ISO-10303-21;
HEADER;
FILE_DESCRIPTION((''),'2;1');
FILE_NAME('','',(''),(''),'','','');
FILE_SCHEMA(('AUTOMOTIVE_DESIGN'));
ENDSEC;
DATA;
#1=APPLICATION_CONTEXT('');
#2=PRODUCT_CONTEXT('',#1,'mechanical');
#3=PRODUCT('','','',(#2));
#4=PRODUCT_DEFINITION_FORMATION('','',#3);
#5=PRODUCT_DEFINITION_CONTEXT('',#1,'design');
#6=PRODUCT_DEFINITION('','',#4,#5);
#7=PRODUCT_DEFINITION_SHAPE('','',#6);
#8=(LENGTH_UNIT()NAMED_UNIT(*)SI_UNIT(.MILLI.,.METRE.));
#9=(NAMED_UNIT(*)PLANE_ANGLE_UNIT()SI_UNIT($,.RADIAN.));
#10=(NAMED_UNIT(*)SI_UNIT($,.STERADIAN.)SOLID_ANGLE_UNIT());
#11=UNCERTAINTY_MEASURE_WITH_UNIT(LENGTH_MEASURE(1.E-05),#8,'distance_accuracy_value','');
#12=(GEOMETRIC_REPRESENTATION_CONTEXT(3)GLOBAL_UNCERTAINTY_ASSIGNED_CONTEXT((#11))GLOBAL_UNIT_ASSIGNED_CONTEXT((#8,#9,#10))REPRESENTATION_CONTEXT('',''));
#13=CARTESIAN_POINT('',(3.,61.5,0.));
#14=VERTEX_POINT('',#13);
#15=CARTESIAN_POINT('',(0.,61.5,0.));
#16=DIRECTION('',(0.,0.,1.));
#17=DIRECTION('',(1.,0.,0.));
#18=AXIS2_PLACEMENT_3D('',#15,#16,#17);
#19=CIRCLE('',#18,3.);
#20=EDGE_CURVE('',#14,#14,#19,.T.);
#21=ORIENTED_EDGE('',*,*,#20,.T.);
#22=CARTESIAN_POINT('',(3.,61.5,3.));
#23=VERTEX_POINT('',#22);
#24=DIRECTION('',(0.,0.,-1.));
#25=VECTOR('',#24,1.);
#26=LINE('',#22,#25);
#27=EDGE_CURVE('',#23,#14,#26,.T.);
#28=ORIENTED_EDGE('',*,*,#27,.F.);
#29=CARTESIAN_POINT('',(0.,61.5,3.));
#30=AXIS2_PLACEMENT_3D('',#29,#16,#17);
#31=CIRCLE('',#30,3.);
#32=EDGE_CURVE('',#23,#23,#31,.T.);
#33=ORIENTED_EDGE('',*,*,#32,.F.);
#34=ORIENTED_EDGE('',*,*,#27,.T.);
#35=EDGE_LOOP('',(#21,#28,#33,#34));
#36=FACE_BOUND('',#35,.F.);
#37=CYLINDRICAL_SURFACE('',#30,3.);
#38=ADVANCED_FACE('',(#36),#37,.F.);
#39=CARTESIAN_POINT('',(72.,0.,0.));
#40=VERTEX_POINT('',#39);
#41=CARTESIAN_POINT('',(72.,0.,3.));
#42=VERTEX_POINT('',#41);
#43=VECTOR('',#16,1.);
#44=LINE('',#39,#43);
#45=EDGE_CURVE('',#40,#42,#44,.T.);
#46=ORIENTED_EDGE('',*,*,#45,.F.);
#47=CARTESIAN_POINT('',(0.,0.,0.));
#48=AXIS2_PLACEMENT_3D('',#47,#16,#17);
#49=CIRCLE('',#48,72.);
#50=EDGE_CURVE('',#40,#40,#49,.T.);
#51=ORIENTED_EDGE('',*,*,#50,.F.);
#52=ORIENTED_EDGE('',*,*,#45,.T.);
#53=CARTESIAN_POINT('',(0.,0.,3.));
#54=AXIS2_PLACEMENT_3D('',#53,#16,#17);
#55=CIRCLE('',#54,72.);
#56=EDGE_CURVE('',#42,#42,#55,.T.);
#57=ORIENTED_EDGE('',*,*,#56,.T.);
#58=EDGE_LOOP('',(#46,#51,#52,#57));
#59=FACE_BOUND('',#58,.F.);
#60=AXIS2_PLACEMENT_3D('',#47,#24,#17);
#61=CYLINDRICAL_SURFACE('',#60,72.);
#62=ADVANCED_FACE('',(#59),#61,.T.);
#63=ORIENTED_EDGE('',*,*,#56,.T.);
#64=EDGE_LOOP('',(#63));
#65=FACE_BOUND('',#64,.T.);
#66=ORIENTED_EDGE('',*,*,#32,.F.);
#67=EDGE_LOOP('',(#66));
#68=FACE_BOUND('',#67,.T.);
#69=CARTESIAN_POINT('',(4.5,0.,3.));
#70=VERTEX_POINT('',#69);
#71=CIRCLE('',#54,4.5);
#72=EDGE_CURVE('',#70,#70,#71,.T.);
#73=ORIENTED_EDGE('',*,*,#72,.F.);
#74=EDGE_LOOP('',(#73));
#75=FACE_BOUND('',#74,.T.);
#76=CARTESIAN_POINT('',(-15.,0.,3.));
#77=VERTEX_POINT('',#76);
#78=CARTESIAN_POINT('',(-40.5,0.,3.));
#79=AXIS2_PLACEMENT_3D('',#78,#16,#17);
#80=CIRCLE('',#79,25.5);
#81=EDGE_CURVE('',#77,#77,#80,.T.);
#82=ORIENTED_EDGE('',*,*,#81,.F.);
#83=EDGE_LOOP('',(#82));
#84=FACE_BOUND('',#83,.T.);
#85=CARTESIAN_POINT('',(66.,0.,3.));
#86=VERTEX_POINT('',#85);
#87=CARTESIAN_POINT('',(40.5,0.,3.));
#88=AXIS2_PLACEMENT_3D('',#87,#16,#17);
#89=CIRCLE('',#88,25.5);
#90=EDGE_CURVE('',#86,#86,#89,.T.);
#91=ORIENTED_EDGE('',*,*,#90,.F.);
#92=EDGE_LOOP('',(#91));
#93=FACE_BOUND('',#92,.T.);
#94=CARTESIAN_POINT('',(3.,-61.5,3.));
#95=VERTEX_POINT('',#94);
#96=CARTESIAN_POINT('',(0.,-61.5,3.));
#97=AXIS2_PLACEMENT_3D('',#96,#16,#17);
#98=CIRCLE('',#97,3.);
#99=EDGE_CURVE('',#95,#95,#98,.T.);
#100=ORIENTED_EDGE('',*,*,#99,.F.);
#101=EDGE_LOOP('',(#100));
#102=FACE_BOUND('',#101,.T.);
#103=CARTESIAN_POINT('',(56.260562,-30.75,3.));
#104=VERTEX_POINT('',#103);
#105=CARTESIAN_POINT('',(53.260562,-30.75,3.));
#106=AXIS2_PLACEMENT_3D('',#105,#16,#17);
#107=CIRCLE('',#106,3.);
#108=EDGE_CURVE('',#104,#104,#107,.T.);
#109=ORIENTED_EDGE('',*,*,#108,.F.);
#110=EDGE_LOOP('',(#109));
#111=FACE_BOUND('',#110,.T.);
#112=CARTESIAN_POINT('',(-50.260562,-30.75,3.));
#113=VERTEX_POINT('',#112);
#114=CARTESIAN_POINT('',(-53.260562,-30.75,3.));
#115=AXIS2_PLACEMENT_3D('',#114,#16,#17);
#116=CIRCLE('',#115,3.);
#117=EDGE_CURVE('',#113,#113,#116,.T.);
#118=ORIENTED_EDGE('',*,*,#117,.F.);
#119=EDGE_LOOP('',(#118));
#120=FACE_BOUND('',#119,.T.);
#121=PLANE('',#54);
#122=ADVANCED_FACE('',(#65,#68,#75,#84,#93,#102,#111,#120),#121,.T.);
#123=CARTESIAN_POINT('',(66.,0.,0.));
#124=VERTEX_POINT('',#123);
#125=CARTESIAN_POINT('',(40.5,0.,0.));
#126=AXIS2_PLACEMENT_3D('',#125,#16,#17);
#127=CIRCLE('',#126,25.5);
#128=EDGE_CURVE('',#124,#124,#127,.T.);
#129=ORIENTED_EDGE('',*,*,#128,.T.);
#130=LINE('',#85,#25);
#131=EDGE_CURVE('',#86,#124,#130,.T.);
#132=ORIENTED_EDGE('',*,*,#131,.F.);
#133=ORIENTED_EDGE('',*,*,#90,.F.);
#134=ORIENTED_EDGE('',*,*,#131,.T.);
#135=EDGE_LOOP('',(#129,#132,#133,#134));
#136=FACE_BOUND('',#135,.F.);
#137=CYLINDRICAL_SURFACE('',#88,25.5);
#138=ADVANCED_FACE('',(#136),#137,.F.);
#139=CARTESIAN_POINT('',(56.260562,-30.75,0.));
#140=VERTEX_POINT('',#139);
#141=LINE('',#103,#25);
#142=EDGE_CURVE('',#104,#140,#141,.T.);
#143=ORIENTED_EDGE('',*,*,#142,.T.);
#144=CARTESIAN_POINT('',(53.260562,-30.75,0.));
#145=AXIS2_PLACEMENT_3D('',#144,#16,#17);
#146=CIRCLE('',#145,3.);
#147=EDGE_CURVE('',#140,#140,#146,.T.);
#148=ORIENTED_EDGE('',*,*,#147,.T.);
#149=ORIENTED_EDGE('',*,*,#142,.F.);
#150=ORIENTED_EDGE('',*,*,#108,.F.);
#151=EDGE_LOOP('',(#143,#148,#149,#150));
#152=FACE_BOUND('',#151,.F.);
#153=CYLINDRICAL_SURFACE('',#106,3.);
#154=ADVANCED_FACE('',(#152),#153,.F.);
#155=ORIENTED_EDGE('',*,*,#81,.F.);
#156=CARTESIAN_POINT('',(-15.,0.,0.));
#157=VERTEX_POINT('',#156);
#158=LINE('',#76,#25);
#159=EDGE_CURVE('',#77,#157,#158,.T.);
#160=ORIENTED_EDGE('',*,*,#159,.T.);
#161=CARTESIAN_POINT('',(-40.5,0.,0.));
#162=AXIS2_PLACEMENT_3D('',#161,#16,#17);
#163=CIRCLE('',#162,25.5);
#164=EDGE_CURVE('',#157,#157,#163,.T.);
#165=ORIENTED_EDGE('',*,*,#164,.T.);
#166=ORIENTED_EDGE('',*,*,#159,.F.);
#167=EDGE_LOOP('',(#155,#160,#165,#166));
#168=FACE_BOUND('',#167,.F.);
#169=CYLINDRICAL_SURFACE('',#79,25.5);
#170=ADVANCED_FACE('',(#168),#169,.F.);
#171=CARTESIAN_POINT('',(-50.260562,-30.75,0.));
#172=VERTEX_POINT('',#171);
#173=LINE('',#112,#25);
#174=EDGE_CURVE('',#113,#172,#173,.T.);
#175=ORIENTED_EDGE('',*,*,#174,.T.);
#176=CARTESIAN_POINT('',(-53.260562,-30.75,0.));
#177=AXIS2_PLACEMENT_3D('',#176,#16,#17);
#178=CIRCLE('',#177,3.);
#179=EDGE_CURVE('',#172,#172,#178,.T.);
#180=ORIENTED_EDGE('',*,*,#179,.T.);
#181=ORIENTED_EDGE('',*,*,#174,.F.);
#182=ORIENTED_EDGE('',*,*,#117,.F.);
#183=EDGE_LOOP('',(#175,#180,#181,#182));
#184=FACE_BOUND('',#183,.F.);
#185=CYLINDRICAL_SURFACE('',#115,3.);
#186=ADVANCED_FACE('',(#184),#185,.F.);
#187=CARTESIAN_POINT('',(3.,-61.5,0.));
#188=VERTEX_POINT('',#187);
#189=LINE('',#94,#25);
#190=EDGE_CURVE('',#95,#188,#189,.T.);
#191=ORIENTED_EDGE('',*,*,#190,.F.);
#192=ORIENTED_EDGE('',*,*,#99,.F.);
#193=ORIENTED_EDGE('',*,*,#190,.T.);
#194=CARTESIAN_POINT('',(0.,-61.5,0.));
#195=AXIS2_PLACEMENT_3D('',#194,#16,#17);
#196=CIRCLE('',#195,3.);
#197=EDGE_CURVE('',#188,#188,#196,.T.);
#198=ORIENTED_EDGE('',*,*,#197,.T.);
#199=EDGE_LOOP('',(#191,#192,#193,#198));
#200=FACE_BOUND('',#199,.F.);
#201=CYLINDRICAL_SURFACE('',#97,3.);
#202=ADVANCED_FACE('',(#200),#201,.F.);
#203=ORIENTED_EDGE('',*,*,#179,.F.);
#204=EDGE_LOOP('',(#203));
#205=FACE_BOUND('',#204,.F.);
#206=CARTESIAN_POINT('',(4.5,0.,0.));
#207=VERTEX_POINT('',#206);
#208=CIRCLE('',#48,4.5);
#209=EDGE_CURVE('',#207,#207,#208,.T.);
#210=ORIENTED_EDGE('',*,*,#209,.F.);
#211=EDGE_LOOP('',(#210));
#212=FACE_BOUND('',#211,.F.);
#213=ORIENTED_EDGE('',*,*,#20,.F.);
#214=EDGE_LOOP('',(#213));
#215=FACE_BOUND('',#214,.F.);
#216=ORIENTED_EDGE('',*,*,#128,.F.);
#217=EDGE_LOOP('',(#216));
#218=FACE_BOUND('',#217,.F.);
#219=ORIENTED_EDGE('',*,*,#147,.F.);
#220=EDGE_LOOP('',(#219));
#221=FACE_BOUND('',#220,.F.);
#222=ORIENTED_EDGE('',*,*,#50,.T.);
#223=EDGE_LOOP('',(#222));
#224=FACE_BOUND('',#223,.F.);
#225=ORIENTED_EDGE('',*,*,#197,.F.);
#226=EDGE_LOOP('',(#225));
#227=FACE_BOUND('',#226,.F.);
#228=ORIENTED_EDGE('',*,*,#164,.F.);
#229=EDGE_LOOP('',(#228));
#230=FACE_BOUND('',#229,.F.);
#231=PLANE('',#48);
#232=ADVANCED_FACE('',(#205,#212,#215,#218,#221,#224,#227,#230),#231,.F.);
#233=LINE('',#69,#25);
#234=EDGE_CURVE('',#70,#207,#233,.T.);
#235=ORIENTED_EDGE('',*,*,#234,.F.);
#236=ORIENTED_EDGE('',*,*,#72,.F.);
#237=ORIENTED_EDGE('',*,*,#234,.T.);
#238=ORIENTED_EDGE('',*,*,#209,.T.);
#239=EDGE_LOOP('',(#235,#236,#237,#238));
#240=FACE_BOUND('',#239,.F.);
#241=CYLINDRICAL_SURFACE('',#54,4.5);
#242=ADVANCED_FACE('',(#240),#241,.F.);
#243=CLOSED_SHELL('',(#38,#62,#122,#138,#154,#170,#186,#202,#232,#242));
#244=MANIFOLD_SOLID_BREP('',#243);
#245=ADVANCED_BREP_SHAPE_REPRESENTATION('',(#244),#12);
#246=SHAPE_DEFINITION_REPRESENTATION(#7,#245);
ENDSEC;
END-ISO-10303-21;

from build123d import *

# Parameters (mm, degrees)
F0_R     = 72
F1_DEPTH = 3
F2_R     = 25.5
F3_DEPTH = 3
F4_R     = 3
F4_R_2   = 4.5
F5_DEPTH = 25.4
F6_R     = 3
F7_DEPTH = 25.4


with BuildPart() as f1:
    # F0 (on Top) → F1 (new body)
    with BuildSketch(Plane.XY):
        Circle(F0_R)
    extrude(amount=F1_DEPTH)

    # F2 (on face) → F3 (cut)
    with BuildSketch(Plane.XY.offset(3)):
        with Locations((-40.5, 0)):
            Circle(F2_R)
        with Locations((40.5, 0)):
            Circle(F2_R)
    extrude(amount=-F3_DEPTH, mode=Mode.SUBTRACT)

    # F4 (on face) → F5 (cut)
    with BuildSketch(Plane.XY.offset(3)):
        with Locations((0, 61.5)):
            Circle(F4_R)
        Circle(F4_R_2)
        with Locations((0, -61.5)):
            Circle(F4_R)
    extrude(amount=-F5_DEPTH, mode=Mode.SUBTRACT)

    # F6 (on face) → F7 (cut)
    with BuildSketch(Plane.XY.offset(3)):
        with Locations((-53.260562, -30.75)):
            Circle(F6_R)
        with Locations((53.260562, -30.75)):
            Circle(F6_R)
    extrude(amount=-F7_DEPTH, mode=Mode.SUBTRACT)


solid = f1.part
